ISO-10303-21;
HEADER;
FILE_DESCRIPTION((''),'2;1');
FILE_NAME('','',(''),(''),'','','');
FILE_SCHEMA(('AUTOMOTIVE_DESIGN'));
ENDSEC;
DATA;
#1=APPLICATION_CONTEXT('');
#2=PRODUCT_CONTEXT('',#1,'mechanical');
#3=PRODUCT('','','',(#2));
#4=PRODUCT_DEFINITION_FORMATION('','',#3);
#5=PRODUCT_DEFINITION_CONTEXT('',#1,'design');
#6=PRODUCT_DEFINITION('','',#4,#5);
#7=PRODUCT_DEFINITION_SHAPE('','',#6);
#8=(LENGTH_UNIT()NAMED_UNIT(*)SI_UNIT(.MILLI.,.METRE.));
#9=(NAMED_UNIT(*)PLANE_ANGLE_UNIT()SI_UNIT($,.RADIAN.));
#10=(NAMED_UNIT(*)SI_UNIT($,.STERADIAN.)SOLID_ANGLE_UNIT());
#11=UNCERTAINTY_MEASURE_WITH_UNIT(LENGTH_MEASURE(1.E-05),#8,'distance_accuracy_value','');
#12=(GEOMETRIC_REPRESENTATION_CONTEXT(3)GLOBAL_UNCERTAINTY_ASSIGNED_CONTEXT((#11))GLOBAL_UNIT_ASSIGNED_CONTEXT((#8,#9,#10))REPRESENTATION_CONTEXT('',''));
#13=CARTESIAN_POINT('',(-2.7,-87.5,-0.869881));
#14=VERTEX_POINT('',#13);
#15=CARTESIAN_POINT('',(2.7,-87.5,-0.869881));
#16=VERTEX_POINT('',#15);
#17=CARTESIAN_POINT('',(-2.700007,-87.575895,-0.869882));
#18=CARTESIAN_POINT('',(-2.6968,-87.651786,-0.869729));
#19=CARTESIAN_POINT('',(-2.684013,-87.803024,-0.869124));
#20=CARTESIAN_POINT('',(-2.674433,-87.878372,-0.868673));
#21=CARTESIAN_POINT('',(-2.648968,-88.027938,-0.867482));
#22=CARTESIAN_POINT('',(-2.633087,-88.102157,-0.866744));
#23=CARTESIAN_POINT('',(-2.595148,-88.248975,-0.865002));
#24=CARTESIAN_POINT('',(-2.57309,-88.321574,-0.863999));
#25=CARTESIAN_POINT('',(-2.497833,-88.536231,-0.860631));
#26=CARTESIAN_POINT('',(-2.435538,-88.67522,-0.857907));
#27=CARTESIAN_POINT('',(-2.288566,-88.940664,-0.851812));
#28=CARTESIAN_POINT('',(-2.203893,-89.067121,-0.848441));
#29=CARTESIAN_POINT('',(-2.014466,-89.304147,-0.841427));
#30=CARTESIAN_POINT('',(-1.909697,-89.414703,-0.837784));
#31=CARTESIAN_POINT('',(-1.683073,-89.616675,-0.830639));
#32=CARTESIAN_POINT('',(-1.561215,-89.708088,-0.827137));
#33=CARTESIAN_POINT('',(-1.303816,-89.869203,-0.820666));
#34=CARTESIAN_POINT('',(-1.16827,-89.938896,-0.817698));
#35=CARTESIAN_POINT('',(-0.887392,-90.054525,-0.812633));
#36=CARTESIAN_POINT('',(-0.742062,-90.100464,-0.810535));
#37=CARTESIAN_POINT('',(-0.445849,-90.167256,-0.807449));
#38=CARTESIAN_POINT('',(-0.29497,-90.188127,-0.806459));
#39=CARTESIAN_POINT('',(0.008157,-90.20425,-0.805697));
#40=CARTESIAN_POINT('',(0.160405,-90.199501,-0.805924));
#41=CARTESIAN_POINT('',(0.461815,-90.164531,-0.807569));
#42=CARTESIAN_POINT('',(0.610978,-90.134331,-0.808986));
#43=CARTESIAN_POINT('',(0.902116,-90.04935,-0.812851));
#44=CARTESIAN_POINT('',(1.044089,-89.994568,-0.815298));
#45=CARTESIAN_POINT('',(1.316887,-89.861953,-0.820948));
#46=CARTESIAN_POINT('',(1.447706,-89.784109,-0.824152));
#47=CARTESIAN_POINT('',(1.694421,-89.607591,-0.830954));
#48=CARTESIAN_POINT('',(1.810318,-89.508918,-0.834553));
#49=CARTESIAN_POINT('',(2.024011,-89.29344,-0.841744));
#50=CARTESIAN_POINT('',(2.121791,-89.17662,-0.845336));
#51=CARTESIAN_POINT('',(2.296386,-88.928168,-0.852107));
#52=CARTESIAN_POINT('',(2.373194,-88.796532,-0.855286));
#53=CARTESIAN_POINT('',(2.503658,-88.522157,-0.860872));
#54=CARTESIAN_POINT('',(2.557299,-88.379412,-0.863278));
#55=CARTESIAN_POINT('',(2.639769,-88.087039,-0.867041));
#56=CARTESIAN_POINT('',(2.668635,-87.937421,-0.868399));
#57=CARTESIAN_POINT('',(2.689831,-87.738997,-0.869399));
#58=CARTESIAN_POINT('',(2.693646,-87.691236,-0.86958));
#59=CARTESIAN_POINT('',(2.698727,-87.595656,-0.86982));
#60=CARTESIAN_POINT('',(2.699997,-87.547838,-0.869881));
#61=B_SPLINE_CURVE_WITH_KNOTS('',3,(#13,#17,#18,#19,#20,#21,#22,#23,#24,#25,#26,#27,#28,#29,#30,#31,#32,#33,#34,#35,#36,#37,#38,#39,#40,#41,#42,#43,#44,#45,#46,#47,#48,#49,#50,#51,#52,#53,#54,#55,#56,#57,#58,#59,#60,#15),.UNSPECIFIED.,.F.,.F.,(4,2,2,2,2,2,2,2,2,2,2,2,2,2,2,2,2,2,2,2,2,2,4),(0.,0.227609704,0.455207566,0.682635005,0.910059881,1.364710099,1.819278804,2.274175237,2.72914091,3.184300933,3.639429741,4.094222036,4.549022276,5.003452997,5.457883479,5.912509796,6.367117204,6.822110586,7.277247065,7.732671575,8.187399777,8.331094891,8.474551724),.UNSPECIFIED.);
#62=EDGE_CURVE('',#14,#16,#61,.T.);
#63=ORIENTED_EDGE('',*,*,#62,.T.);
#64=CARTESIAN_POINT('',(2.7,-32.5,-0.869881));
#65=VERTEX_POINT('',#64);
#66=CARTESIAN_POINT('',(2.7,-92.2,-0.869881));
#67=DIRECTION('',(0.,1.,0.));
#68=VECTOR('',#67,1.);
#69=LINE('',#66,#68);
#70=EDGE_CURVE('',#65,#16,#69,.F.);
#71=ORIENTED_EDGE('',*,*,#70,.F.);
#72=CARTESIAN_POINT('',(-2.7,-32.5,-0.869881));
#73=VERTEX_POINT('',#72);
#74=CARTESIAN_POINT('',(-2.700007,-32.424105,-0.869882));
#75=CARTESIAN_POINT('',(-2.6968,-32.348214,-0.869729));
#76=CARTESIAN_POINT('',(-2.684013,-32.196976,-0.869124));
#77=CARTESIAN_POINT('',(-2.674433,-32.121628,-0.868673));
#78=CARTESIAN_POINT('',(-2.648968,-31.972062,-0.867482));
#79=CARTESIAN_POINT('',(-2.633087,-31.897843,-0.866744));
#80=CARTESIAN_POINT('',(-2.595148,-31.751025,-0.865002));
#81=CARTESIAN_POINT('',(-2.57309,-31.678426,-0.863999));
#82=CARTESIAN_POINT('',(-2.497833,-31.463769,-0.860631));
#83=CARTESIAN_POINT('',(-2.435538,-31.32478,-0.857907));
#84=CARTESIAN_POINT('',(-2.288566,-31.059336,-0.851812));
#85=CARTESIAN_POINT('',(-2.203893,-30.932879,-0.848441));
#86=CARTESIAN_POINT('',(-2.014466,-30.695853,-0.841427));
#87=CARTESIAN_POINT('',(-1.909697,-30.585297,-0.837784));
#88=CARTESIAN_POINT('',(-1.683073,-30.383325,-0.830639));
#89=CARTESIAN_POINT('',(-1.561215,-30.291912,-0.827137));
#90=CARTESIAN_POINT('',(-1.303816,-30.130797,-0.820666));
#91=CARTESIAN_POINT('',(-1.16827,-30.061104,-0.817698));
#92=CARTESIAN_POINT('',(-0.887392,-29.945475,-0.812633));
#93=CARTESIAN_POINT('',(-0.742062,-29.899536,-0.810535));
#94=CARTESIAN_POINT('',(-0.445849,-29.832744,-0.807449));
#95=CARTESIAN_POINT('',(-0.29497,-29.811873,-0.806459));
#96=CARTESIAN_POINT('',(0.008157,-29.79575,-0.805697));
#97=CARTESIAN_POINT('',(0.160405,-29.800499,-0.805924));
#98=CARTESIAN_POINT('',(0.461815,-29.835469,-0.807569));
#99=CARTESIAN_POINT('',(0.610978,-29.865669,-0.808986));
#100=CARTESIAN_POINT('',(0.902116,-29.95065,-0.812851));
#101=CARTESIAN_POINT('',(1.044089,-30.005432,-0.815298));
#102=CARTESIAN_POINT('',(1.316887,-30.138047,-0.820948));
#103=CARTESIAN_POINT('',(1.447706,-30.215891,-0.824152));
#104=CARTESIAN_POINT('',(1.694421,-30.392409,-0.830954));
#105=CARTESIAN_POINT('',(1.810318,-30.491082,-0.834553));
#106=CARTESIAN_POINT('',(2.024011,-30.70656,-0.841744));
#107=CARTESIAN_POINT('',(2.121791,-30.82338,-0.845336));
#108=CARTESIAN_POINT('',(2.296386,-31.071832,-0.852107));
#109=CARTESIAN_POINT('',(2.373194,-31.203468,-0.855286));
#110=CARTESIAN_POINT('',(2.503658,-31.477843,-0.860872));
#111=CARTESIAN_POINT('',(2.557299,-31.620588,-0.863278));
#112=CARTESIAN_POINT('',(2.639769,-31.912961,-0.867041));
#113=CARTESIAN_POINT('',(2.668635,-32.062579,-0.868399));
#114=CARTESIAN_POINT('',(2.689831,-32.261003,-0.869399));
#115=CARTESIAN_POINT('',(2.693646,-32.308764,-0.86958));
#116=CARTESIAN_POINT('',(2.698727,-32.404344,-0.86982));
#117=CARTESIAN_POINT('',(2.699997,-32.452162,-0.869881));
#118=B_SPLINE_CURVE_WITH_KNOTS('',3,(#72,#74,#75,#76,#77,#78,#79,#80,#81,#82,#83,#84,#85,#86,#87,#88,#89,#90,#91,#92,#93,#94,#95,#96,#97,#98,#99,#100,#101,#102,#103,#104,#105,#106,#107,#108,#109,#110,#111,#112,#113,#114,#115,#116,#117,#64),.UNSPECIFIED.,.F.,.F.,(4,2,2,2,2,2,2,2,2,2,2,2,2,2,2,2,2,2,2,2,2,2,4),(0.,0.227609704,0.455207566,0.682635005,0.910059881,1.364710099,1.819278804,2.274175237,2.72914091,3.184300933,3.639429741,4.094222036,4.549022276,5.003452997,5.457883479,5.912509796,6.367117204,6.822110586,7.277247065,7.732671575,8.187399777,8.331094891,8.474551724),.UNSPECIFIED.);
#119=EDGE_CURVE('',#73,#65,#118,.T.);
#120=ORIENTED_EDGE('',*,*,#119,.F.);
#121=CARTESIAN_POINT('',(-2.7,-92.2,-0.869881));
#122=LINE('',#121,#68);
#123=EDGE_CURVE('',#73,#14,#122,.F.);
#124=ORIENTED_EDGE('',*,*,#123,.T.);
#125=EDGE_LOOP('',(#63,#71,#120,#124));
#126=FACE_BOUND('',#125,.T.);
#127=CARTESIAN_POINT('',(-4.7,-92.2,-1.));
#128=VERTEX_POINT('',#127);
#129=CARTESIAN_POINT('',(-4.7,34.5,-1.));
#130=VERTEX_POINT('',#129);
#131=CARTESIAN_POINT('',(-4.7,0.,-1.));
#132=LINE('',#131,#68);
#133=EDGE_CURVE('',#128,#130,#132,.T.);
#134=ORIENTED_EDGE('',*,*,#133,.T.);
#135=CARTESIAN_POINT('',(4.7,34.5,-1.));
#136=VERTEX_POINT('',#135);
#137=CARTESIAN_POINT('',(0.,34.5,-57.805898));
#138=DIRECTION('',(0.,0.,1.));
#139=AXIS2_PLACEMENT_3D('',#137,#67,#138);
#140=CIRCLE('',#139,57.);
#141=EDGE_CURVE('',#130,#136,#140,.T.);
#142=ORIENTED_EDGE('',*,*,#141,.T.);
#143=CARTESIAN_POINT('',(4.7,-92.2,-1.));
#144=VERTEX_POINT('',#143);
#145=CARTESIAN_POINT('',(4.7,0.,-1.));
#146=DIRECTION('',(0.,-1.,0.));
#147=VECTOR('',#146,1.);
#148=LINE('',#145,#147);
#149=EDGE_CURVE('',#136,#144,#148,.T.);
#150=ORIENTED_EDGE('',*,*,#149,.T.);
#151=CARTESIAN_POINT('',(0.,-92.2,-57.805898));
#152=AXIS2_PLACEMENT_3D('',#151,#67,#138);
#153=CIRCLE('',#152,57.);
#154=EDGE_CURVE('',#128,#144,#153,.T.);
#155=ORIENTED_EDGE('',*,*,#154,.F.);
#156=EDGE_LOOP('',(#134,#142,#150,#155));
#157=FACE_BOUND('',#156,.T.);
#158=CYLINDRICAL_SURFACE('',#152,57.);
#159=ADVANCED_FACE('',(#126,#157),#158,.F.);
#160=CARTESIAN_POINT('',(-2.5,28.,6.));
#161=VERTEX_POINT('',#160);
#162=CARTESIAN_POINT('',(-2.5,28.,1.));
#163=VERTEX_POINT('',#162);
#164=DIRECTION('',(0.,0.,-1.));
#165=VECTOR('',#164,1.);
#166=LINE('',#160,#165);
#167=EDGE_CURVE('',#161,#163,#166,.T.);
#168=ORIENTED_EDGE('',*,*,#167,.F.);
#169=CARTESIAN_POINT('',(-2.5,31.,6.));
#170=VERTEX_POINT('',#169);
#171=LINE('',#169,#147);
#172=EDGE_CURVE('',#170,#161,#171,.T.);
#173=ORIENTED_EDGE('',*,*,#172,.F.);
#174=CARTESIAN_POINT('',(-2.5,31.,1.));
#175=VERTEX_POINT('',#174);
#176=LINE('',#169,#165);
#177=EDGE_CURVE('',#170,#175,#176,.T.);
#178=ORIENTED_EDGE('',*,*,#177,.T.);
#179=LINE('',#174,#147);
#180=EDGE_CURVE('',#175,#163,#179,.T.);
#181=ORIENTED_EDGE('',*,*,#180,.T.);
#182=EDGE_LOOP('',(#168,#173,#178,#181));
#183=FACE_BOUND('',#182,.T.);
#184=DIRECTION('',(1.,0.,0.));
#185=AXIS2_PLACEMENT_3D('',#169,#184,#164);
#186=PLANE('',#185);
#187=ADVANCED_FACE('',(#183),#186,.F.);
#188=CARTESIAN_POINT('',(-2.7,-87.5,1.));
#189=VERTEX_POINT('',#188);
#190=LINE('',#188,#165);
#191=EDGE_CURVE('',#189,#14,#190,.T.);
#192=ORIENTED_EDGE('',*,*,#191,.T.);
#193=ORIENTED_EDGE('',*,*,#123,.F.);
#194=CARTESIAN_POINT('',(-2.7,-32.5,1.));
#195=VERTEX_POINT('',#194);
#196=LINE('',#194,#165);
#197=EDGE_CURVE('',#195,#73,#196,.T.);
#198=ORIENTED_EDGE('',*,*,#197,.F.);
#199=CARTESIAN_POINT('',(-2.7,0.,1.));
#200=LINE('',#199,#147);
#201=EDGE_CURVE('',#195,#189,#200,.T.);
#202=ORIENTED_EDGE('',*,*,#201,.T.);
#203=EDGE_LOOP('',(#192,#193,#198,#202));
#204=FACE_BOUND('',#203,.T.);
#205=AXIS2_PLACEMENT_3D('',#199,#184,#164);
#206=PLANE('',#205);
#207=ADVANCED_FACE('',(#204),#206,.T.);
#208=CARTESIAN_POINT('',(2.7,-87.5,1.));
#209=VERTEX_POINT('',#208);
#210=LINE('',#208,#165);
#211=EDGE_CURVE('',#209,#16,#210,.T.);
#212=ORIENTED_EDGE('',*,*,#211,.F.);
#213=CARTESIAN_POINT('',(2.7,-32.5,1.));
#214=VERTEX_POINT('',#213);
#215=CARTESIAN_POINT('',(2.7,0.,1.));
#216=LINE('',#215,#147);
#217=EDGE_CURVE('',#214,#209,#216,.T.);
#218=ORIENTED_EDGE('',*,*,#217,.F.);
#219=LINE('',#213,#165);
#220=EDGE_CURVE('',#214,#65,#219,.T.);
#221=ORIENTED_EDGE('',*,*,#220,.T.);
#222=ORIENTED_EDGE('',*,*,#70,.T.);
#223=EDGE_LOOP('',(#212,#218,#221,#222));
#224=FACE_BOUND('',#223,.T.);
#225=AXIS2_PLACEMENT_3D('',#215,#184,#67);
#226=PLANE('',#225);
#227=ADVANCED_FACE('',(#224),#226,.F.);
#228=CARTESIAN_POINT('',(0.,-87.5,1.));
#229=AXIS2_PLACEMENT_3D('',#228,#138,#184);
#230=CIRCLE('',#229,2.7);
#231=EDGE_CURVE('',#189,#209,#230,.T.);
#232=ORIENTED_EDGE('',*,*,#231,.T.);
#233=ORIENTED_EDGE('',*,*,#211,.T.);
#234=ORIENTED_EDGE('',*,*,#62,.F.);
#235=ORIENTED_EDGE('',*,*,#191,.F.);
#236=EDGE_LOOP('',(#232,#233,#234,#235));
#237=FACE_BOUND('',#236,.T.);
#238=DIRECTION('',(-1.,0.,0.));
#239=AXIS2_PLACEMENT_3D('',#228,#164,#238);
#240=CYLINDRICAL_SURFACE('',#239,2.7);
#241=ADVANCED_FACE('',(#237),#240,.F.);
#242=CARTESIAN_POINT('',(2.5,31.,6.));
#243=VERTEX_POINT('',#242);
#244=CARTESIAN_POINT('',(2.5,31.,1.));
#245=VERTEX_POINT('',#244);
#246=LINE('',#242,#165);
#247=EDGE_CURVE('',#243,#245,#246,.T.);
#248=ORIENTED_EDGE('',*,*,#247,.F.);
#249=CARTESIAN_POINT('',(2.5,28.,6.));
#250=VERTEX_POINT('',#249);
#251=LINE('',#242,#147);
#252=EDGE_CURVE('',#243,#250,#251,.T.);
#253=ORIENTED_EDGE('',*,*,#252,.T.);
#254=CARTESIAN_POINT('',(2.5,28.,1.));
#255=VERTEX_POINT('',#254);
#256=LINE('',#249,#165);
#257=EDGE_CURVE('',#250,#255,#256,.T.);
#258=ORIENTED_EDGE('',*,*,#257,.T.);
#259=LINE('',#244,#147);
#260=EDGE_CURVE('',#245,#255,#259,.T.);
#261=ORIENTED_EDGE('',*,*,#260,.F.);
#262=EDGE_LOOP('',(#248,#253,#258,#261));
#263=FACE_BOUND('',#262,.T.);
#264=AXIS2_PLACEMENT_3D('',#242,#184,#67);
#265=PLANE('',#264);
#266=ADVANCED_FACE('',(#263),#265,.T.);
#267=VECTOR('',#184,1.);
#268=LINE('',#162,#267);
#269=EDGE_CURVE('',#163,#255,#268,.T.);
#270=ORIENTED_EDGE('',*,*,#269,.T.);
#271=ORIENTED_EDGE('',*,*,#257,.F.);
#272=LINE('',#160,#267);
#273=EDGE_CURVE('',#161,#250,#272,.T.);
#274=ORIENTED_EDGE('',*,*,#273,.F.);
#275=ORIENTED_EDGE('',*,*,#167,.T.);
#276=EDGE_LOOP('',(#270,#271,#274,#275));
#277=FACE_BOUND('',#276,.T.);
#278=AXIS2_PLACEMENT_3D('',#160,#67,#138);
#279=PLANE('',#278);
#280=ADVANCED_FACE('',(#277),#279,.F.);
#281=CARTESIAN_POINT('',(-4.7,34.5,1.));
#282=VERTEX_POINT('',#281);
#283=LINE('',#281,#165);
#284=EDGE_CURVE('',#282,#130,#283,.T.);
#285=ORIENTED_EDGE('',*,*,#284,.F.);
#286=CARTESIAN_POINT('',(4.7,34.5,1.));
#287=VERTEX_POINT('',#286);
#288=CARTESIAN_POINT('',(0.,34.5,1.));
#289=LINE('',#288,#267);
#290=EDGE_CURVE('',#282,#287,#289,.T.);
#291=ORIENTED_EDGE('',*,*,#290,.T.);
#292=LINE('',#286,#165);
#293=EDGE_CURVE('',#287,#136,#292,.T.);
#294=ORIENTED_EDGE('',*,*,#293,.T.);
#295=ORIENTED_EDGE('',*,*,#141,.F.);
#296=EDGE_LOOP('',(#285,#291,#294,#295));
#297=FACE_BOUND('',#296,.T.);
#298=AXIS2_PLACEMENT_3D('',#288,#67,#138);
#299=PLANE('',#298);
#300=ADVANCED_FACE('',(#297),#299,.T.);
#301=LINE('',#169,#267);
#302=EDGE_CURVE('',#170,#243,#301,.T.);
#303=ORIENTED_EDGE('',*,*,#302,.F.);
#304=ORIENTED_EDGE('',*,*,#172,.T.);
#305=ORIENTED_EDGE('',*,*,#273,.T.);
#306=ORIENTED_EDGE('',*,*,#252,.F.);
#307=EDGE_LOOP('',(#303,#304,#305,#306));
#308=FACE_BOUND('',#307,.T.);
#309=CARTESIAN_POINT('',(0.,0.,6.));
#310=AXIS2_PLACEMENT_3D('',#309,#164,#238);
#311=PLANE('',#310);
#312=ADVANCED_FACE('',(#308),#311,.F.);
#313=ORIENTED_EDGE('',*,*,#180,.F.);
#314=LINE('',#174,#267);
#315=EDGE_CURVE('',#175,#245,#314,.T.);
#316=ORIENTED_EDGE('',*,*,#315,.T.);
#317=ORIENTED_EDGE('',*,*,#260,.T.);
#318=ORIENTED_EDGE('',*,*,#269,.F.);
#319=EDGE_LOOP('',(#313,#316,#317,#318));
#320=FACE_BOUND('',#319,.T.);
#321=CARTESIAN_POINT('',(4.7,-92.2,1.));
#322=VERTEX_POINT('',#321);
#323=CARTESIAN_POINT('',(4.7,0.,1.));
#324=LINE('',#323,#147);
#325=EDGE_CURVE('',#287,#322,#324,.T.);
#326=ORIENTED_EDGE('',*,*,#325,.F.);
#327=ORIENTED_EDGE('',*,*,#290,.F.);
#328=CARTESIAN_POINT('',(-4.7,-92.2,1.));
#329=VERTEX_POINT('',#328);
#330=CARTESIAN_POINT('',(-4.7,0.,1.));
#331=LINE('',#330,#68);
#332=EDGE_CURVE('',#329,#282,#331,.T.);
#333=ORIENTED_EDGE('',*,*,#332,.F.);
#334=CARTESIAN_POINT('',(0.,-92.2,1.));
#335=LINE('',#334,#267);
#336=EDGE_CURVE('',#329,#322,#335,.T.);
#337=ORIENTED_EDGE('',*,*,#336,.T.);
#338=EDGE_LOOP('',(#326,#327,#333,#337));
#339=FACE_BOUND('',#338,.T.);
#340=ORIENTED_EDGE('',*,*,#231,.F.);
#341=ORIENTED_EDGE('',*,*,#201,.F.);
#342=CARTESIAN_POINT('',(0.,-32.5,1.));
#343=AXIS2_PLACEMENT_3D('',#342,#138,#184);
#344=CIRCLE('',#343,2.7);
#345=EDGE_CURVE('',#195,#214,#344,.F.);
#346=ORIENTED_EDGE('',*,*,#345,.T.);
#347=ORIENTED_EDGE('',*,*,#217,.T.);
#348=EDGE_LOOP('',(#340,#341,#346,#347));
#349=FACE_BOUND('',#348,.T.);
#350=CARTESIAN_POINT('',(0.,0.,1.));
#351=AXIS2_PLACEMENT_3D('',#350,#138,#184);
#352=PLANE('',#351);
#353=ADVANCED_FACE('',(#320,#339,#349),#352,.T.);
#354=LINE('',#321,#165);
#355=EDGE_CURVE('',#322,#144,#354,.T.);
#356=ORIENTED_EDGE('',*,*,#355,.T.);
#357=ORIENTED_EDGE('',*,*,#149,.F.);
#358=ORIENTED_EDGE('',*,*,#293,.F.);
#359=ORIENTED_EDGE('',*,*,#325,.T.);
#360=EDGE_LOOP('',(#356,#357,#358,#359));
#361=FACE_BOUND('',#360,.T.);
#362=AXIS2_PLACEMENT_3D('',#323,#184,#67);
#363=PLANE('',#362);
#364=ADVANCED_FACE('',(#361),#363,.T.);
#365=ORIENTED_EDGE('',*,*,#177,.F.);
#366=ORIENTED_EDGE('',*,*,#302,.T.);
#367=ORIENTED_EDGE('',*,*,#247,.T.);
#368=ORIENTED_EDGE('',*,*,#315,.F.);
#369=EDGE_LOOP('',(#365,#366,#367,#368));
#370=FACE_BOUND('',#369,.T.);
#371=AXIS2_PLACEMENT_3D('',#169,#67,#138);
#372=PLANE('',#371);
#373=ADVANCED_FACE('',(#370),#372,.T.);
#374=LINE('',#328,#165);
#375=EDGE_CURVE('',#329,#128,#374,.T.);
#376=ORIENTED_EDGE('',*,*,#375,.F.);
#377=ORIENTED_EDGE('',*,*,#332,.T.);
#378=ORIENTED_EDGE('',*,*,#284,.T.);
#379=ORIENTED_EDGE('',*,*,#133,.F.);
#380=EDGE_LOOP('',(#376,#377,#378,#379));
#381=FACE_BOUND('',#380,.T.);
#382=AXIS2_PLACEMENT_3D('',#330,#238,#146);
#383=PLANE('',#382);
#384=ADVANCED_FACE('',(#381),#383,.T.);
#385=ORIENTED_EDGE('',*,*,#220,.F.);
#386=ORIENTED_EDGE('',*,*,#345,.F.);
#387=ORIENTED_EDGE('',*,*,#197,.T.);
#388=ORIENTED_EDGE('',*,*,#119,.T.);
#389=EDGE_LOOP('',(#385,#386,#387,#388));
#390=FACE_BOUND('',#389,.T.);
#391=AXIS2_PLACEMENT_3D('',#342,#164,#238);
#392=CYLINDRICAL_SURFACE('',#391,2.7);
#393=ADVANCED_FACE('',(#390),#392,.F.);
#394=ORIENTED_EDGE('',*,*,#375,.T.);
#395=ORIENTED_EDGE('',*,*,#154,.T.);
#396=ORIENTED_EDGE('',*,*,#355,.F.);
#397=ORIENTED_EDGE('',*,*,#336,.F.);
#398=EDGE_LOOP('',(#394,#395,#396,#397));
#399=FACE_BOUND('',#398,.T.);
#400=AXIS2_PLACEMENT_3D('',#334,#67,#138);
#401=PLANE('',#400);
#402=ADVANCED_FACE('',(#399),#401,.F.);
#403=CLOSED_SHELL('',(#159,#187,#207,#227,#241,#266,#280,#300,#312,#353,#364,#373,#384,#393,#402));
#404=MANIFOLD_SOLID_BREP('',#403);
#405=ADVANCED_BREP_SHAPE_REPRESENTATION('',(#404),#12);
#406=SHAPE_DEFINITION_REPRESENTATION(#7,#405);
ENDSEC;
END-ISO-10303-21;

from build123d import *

# Parameters (mm, degrees)
SKETCH1_W               = 9.4
SKETCH1_H               = 126.7
BOSS_EXTRUDE1_DEPTH     = 1
CUT_EXTRUDE2_DEPTH      = 35.5
CUT_EXTRUDE2_DEPTH_BACK = 93.2
SKETCH3_W               = 5
SKETCH3_H               = 3
BOSS_EXTRUDE2_DEPTH     = 5


with BuildPart() as part:
    # Sketch1 → Boss-Extrude1 (new body, symmetric)
    with BuildSketch(Plane.XY):
        with Locations((0, -28.85)):
            Rectangle(SKETCH1_W, SKETCH1_H)
        with BuildLine():
            ThreePointArc((-2.7, -32.5), (0, -29.8), (2.7, -32.5))
            Line((2.7, -32.5), (2.7, -87.5))
            ThreePointArc((2.7, -87.5), (0, -90.2), (-2.7, -87.5))
            Line((-2.7, -87.5), (-2.7, -32.5))
        make_face(mode=Mode.SUBTRACT)
    extrude(amount=BOSS_EXTRUDE1_DEPTH, both=True)

    # Sketch2 → Cut-Extrude2 (cut, two sides)
    with BuildSketch(Plane(origin=(0, 0, 0), x_dir=(1, 0, 0), z_dir=(0, 1, 0))) as cut_extrude2_sk:
        with BuildLine():
            ThreePointArc((-4.7, 1), (0, 0.805897581), (4.7, 1))
            Line((4.7, 1), (-4.7, 1))
        make_face()
        with BuildLine():
            Line((-4.7, 1), (4.7, 1))
            ThreePointArc((4.7, 1), (41.93387652, 19.198255851), (57, 57.805897581))
            ThreePointArc((57, 57.805897581), (-38.607641731, 99.739774101), (-4.7, 1))
        make_face()
    extrude(amount=CUT_EXTRUDE2_DEPTH, mode=Mode.SUBTRACT)
    extrude(cut_extrude2_sk.sketch, amount=-CUT_EXTRUDE2_DEPTH_BACK, mode=Mode.SUBTRACT)

    # Sketch3 → Boss-Extrude2 (add)
    with BuildSketch(Plane.XY.offset(1)):
        with Locations((0, 29.5)):
            Rectangle(SKETCH3_W, SKETCH3_H)
    extrude(amount=BOSS_EXTRUDE2_DEPTH)


solid = part.part
